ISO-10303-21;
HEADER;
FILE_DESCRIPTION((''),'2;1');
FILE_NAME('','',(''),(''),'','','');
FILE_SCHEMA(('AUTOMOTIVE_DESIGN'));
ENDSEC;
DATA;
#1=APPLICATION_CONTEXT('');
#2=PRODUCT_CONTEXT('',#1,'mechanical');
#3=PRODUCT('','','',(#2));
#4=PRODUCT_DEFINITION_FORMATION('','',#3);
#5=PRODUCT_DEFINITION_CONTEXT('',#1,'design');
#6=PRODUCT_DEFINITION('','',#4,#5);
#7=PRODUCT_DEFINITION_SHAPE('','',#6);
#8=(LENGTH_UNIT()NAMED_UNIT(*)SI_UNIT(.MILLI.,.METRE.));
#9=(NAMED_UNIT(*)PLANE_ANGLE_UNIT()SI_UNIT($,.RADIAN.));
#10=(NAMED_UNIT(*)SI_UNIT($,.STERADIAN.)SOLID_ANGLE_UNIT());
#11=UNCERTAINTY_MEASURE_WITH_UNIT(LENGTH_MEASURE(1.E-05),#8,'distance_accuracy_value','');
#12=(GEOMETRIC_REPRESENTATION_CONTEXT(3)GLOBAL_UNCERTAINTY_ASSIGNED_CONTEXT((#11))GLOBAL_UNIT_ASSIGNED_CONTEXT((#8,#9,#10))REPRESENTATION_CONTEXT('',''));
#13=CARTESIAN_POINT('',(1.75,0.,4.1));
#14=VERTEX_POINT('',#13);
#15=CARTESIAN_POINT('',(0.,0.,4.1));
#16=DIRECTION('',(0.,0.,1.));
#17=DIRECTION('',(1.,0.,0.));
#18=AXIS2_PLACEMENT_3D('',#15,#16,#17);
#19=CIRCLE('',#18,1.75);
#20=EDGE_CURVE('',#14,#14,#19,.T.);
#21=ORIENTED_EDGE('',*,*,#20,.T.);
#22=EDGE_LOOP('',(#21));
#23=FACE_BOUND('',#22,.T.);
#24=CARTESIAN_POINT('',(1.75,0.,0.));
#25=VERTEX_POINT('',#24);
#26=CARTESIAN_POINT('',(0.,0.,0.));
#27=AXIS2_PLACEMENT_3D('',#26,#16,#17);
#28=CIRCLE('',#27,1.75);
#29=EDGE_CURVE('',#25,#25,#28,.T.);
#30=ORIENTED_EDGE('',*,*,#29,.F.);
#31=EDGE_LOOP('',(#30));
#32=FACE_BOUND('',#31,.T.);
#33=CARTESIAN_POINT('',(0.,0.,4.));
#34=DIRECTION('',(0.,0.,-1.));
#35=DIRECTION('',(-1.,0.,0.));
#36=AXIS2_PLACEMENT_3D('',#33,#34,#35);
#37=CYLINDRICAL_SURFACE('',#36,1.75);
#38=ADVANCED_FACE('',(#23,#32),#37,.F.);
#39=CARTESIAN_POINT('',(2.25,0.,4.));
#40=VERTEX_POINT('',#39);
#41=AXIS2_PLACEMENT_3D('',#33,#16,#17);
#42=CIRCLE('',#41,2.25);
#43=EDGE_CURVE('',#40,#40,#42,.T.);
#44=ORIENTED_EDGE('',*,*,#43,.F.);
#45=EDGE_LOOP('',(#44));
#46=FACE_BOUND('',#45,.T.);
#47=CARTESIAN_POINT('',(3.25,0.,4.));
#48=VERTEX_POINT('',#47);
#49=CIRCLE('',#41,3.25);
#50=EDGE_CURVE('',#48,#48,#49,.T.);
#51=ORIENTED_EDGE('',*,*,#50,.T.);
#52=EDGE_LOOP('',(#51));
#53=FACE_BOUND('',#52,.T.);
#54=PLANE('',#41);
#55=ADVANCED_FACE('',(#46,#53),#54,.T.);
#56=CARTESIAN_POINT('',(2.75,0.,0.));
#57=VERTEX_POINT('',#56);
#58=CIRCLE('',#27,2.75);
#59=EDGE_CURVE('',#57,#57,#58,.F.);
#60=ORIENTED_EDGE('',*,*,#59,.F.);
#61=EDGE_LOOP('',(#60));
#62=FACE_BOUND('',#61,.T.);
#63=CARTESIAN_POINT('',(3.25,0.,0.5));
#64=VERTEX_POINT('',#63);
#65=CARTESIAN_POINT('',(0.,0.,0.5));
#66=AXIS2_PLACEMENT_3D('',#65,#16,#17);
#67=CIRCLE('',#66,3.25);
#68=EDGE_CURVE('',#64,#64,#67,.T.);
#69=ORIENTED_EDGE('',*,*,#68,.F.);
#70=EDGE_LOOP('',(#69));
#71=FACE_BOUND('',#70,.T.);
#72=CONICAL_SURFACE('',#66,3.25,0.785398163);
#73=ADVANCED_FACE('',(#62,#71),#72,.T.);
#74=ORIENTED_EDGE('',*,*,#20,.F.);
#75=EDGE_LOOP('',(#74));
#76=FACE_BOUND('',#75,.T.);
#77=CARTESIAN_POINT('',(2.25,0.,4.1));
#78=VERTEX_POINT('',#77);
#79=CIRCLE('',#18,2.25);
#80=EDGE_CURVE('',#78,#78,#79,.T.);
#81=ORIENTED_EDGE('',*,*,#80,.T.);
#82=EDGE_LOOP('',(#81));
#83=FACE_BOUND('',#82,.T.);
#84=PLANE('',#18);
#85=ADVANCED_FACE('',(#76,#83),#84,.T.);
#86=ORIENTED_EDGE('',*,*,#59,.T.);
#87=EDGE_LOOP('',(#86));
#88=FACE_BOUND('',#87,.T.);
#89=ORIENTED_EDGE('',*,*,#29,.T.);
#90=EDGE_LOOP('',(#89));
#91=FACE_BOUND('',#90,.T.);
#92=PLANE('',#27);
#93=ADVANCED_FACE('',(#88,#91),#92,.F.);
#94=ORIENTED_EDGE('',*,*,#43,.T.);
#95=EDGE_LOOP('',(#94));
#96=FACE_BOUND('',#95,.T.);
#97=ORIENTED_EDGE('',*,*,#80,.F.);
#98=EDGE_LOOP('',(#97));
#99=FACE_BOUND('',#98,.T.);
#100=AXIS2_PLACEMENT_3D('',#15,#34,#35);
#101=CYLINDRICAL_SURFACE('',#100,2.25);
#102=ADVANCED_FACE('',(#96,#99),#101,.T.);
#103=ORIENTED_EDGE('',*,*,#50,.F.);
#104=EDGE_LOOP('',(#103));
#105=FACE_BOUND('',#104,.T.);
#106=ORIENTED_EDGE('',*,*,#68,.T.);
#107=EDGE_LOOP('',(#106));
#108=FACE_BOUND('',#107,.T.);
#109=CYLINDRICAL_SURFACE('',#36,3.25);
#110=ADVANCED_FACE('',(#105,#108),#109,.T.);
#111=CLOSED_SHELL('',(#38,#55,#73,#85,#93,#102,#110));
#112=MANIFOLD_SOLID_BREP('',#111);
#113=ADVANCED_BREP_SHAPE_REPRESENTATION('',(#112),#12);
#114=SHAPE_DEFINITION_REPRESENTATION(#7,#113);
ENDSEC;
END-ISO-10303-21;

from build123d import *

# Parameters (mm, degrees)
SKETCH1_R           = 3.25
SKETCH1_R_2         = 1.75
BOSS_EXTRUDE1_DEPTH = 4
SKETCH2_R           = 2.25
SKETCH2_R_2         = 1.75
BOSS_EXTRUDE2_DEPTH = 0.1
CHAMFER1_SIZE       = 0.5


with BuildPart() as part:
    # Sketch1 → Boss-Extrude1 (new body)
    with BuildSketch(Plane.XY):
        Circle(SKETCH1_R)
        Circle(SKETCH1_R_2, mode=Mode.SUBTRACT)
    extrude(amount=BOSS_EXTRUDE1_DEPTH)

    # Sketch2 → Boss-Extrude2 (add)
    with BuildSketch(Plane.XY.offset(4)):
        Circle(SKETCH2_R)
        Circle(SKETCH2_R_2, mode=Mode.SUBTRACT)
    extrude(amount=BOSS_EXTRUDE2_DEPTH)

    # Chamfer1
    chamfer1_edges = [part.edges().sort_by_distance(p)[0] for p in [
        (-3.25, 0, 0),
    ]]
    chamfer(chamfer1_edges, length=CHAMFER1_SIZE)


solid = part.part
